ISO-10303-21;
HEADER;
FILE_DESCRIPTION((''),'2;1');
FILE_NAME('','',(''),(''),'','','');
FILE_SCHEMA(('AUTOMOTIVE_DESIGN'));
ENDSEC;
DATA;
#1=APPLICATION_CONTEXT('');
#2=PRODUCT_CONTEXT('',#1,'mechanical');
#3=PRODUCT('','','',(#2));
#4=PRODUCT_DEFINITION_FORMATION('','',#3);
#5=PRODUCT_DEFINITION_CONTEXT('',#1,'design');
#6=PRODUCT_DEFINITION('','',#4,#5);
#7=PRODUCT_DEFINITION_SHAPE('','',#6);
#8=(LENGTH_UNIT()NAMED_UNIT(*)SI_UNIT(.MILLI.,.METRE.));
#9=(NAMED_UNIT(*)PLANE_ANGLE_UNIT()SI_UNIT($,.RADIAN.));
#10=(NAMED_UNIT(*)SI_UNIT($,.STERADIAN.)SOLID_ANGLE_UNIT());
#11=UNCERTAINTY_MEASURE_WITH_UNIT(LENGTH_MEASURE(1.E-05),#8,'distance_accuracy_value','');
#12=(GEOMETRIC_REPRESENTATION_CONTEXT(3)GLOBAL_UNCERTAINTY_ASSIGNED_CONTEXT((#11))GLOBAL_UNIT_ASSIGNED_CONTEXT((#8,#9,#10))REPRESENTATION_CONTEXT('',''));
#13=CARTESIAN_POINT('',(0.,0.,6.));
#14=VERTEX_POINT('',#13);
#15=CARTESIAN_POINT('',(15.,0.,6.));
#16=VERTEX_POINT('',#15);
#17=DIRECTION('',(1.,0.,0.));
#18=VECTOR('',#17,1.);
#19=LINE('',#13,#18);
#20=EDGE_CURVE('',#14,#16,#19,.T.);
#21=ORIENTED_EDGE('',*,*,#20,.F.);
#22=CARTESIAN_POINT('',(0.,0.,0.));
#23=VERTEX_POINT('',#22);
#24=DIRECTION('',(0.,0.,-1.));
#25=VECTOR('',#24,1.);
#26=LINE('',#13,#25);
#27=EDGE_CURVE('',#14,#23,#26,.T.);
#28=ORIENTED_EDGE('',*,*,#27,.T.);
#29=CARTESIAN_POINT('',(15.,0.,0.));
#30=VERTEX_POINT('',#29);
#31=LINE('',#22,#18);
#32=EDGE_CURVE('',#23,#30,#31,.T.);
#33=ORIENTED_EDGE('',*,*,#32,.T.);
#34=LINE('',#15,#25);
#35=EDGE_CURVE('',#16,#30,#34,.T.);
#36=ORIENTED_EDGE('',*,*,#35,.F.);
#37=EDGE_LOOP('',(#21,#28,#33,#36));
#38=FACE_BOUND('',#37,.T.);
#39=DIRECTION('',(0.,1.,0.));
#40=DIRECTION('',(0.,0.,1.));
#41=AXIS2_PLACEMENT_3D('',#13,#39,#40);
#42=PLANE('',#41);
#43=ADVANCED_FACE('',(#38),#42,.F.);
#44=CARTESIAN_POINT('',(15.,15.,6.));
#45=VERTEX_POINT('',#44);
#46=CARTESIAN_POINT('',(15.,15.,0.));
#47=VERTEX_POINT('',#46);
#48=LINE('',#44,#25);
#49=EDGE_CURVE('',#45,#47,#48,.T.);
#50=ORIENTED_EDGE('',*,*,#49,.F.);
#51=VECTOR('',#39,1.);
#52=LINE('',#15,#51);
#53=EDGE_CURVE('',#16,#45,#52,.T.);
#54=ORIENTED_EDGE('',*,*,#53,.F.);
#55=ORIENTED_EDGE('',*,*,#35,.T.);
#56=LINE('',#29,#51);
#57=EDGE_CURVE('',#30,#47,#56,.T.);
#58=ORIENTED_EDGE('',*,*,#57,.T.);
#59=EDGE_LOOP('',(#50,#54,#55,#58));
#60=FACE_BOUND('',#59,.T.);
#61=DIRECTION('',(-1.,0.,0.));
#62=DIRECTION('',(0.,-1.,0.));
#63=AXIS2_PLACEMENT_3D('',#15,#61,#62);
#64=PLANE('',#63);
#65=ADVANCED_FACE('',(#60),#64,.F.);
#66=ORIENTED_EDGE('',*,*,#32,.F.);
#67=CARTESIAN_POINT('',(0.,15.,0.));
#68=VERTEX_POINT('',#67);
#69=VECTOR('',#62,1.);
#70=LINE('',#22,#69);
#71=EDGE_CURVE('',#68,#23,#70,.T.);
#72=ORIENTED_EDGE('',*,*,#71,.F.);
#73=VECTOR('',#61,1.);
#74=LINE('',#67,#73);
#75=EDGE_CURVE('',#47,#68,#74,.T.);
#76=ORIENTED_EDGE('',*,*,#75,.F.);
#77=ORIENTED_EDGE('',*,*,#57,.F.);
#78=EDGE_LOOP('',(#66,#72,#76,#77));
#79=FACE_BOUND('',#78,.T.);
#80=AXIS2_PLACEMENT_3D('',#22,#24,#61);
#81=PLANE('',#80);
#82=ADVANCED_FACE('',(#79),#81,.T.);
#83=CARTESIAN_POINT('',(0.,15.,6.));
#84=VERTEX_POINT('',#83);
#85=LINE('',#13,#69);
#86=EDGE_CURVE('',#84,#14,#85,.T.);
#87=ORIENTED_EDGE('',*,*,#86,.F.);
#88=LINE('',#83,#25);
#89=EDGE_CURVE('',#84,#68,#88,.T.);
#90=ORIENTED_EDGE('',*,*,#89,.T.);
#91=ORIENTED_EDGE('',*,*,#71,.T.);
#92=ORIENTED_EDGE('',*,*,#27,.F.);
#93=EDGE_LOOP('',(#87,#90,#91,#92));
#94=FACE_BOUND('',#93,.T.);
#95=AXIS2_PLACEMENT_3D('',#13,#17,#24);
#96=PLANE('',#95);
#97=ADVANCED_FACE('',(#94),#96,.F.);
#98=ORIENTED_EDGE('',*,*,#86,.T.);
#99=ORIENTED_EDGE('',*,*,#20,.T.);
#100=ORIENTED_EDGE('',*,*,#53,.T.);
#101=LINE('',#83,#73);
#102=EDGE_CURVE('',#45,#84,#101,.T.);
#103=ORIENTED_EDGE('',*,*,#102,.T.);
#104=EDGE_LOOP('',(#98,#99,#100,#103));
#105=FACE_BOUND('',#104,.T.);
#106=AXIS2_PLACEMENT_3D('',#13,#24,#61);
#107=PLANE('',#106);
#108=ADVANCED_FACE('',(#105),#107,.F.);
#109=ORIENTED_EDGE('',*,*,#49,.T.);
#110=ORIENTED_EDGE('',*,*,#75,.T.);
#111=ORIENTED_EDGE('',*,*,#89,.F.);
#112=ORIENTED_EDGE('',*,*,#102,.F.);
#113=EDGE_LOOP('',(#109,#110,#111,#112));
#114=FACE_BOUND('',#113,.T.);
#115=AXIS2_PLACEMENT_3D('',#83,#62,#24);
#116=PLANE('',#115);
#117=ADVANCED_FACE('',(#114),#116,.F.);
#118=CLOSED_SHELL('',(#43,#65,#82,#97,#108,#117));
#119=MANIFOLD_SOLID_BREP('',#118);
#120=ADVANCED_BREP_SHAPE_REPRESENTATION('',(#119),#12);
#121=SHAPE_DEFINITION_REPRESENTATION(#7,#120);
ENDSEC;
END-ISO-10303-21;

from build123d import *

# Parameters (mm, degrees)
SKETCH1_W           = 15
SKETCH1_H           = 15
BOSS_EXTRUDE1_DEPTH = 6


with BuildPart() as part:
    # Sketch1 → Boss-Extrude1 (new body)
    with BuildSketch(Plane.XY):
        with Locations((7.5, 7.5)):
            Rectangle(SKETCH1_W, SKETCH1_H)
    extrude(amount=BOSS_EXTRUDE1_DEPTH)


solid = part.part
